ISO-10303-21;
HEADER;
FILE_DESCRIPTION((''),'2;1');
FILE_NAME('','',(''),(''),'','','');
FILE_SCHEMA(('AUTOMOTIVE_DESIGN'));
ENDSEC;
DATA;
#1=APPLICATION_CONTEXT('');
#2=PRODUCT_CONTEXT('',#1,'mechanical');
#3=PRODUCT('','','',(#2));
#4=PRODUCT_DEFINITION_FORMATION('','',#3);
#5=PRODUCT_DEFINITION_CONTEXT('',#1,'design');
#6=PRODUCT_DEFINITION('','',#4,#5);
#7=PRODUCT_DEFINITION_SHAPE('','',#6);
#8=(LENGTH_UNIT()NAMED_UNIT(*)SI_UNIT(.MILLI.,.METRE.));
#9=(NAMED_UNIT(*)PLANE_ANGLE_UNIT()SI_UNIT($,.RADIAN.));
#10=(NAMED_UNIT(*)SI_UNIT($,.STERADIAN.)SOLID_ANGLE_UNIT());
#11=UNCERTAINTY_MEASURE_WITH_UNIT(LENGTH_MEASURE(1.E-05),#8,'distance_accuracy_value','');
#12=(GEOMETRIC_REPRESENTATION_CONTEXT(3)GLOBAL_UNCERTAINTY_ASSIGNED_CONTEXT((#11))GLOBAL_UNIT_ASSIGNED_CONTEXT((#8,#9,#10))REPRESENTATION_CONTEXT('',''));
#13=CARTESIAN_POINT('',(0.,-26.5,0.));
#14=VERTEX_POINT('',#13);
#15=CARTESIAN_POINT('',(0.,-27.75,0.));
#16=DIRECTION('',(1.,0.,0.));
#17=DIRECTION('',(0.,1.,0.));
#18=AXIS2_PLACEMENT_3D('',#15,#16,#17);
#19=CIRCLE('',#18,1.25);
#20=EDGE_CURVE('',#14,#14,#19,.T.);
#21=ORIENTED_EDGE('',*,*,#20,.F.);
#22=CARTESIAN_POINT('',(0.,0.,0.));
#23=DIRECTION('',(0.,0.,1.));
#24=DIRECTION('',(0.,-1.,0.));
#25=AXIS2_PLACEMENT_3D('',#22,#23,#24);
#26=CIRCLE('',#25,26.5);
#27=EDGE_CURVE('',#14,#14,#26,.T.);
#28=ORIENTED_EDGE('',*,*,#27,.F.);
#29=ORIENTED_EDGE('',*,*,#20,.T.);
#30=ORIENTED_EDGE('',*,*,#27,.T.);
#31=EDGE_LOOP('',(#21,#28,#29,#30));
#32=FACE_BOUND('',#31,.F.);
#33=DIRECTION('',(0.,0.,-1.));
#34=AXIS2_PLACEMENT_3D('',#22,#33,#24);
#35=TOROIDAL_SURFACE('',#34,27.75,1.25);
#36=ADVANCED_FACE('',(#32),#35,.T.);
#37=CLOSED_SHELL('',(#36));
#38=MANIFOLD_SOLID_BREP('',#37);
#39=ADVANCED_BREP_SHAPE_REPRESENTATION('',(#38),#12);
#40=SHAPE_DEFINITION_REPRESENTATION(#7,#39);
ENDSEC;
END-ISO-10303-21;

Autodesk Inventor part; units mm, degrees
ref_plane "YZ Plane" through (0, 0, 0) normal (1, 0, 0) x (0, 1, 0)
ref_plane "XZ Plane" through (0, 0, 0) normal (0, 1, 0) x (-1, 0, 0)
ref_plane "XY Plane" through (0, 0, 0) normal (0, 0, 1) x (1, 0, 0)
sketch "Skizze1" plane through (0, 0, 0) normal (1, 0, 0) x (0, 1, 0)
  circle A0 centre (-27.75, 0) radius 1.25
  line L0 (0, -1.75) -> (0, 1.75) projected
  point P0 (0, 0)
  dimension "d5" = 27.75
revolve "Umdrehung1" add sketch "Skizze1" angle 360 about axis through (0, 0, -10) along (0, 0, 1)
properties part number "O-Ring_53_2_5"
